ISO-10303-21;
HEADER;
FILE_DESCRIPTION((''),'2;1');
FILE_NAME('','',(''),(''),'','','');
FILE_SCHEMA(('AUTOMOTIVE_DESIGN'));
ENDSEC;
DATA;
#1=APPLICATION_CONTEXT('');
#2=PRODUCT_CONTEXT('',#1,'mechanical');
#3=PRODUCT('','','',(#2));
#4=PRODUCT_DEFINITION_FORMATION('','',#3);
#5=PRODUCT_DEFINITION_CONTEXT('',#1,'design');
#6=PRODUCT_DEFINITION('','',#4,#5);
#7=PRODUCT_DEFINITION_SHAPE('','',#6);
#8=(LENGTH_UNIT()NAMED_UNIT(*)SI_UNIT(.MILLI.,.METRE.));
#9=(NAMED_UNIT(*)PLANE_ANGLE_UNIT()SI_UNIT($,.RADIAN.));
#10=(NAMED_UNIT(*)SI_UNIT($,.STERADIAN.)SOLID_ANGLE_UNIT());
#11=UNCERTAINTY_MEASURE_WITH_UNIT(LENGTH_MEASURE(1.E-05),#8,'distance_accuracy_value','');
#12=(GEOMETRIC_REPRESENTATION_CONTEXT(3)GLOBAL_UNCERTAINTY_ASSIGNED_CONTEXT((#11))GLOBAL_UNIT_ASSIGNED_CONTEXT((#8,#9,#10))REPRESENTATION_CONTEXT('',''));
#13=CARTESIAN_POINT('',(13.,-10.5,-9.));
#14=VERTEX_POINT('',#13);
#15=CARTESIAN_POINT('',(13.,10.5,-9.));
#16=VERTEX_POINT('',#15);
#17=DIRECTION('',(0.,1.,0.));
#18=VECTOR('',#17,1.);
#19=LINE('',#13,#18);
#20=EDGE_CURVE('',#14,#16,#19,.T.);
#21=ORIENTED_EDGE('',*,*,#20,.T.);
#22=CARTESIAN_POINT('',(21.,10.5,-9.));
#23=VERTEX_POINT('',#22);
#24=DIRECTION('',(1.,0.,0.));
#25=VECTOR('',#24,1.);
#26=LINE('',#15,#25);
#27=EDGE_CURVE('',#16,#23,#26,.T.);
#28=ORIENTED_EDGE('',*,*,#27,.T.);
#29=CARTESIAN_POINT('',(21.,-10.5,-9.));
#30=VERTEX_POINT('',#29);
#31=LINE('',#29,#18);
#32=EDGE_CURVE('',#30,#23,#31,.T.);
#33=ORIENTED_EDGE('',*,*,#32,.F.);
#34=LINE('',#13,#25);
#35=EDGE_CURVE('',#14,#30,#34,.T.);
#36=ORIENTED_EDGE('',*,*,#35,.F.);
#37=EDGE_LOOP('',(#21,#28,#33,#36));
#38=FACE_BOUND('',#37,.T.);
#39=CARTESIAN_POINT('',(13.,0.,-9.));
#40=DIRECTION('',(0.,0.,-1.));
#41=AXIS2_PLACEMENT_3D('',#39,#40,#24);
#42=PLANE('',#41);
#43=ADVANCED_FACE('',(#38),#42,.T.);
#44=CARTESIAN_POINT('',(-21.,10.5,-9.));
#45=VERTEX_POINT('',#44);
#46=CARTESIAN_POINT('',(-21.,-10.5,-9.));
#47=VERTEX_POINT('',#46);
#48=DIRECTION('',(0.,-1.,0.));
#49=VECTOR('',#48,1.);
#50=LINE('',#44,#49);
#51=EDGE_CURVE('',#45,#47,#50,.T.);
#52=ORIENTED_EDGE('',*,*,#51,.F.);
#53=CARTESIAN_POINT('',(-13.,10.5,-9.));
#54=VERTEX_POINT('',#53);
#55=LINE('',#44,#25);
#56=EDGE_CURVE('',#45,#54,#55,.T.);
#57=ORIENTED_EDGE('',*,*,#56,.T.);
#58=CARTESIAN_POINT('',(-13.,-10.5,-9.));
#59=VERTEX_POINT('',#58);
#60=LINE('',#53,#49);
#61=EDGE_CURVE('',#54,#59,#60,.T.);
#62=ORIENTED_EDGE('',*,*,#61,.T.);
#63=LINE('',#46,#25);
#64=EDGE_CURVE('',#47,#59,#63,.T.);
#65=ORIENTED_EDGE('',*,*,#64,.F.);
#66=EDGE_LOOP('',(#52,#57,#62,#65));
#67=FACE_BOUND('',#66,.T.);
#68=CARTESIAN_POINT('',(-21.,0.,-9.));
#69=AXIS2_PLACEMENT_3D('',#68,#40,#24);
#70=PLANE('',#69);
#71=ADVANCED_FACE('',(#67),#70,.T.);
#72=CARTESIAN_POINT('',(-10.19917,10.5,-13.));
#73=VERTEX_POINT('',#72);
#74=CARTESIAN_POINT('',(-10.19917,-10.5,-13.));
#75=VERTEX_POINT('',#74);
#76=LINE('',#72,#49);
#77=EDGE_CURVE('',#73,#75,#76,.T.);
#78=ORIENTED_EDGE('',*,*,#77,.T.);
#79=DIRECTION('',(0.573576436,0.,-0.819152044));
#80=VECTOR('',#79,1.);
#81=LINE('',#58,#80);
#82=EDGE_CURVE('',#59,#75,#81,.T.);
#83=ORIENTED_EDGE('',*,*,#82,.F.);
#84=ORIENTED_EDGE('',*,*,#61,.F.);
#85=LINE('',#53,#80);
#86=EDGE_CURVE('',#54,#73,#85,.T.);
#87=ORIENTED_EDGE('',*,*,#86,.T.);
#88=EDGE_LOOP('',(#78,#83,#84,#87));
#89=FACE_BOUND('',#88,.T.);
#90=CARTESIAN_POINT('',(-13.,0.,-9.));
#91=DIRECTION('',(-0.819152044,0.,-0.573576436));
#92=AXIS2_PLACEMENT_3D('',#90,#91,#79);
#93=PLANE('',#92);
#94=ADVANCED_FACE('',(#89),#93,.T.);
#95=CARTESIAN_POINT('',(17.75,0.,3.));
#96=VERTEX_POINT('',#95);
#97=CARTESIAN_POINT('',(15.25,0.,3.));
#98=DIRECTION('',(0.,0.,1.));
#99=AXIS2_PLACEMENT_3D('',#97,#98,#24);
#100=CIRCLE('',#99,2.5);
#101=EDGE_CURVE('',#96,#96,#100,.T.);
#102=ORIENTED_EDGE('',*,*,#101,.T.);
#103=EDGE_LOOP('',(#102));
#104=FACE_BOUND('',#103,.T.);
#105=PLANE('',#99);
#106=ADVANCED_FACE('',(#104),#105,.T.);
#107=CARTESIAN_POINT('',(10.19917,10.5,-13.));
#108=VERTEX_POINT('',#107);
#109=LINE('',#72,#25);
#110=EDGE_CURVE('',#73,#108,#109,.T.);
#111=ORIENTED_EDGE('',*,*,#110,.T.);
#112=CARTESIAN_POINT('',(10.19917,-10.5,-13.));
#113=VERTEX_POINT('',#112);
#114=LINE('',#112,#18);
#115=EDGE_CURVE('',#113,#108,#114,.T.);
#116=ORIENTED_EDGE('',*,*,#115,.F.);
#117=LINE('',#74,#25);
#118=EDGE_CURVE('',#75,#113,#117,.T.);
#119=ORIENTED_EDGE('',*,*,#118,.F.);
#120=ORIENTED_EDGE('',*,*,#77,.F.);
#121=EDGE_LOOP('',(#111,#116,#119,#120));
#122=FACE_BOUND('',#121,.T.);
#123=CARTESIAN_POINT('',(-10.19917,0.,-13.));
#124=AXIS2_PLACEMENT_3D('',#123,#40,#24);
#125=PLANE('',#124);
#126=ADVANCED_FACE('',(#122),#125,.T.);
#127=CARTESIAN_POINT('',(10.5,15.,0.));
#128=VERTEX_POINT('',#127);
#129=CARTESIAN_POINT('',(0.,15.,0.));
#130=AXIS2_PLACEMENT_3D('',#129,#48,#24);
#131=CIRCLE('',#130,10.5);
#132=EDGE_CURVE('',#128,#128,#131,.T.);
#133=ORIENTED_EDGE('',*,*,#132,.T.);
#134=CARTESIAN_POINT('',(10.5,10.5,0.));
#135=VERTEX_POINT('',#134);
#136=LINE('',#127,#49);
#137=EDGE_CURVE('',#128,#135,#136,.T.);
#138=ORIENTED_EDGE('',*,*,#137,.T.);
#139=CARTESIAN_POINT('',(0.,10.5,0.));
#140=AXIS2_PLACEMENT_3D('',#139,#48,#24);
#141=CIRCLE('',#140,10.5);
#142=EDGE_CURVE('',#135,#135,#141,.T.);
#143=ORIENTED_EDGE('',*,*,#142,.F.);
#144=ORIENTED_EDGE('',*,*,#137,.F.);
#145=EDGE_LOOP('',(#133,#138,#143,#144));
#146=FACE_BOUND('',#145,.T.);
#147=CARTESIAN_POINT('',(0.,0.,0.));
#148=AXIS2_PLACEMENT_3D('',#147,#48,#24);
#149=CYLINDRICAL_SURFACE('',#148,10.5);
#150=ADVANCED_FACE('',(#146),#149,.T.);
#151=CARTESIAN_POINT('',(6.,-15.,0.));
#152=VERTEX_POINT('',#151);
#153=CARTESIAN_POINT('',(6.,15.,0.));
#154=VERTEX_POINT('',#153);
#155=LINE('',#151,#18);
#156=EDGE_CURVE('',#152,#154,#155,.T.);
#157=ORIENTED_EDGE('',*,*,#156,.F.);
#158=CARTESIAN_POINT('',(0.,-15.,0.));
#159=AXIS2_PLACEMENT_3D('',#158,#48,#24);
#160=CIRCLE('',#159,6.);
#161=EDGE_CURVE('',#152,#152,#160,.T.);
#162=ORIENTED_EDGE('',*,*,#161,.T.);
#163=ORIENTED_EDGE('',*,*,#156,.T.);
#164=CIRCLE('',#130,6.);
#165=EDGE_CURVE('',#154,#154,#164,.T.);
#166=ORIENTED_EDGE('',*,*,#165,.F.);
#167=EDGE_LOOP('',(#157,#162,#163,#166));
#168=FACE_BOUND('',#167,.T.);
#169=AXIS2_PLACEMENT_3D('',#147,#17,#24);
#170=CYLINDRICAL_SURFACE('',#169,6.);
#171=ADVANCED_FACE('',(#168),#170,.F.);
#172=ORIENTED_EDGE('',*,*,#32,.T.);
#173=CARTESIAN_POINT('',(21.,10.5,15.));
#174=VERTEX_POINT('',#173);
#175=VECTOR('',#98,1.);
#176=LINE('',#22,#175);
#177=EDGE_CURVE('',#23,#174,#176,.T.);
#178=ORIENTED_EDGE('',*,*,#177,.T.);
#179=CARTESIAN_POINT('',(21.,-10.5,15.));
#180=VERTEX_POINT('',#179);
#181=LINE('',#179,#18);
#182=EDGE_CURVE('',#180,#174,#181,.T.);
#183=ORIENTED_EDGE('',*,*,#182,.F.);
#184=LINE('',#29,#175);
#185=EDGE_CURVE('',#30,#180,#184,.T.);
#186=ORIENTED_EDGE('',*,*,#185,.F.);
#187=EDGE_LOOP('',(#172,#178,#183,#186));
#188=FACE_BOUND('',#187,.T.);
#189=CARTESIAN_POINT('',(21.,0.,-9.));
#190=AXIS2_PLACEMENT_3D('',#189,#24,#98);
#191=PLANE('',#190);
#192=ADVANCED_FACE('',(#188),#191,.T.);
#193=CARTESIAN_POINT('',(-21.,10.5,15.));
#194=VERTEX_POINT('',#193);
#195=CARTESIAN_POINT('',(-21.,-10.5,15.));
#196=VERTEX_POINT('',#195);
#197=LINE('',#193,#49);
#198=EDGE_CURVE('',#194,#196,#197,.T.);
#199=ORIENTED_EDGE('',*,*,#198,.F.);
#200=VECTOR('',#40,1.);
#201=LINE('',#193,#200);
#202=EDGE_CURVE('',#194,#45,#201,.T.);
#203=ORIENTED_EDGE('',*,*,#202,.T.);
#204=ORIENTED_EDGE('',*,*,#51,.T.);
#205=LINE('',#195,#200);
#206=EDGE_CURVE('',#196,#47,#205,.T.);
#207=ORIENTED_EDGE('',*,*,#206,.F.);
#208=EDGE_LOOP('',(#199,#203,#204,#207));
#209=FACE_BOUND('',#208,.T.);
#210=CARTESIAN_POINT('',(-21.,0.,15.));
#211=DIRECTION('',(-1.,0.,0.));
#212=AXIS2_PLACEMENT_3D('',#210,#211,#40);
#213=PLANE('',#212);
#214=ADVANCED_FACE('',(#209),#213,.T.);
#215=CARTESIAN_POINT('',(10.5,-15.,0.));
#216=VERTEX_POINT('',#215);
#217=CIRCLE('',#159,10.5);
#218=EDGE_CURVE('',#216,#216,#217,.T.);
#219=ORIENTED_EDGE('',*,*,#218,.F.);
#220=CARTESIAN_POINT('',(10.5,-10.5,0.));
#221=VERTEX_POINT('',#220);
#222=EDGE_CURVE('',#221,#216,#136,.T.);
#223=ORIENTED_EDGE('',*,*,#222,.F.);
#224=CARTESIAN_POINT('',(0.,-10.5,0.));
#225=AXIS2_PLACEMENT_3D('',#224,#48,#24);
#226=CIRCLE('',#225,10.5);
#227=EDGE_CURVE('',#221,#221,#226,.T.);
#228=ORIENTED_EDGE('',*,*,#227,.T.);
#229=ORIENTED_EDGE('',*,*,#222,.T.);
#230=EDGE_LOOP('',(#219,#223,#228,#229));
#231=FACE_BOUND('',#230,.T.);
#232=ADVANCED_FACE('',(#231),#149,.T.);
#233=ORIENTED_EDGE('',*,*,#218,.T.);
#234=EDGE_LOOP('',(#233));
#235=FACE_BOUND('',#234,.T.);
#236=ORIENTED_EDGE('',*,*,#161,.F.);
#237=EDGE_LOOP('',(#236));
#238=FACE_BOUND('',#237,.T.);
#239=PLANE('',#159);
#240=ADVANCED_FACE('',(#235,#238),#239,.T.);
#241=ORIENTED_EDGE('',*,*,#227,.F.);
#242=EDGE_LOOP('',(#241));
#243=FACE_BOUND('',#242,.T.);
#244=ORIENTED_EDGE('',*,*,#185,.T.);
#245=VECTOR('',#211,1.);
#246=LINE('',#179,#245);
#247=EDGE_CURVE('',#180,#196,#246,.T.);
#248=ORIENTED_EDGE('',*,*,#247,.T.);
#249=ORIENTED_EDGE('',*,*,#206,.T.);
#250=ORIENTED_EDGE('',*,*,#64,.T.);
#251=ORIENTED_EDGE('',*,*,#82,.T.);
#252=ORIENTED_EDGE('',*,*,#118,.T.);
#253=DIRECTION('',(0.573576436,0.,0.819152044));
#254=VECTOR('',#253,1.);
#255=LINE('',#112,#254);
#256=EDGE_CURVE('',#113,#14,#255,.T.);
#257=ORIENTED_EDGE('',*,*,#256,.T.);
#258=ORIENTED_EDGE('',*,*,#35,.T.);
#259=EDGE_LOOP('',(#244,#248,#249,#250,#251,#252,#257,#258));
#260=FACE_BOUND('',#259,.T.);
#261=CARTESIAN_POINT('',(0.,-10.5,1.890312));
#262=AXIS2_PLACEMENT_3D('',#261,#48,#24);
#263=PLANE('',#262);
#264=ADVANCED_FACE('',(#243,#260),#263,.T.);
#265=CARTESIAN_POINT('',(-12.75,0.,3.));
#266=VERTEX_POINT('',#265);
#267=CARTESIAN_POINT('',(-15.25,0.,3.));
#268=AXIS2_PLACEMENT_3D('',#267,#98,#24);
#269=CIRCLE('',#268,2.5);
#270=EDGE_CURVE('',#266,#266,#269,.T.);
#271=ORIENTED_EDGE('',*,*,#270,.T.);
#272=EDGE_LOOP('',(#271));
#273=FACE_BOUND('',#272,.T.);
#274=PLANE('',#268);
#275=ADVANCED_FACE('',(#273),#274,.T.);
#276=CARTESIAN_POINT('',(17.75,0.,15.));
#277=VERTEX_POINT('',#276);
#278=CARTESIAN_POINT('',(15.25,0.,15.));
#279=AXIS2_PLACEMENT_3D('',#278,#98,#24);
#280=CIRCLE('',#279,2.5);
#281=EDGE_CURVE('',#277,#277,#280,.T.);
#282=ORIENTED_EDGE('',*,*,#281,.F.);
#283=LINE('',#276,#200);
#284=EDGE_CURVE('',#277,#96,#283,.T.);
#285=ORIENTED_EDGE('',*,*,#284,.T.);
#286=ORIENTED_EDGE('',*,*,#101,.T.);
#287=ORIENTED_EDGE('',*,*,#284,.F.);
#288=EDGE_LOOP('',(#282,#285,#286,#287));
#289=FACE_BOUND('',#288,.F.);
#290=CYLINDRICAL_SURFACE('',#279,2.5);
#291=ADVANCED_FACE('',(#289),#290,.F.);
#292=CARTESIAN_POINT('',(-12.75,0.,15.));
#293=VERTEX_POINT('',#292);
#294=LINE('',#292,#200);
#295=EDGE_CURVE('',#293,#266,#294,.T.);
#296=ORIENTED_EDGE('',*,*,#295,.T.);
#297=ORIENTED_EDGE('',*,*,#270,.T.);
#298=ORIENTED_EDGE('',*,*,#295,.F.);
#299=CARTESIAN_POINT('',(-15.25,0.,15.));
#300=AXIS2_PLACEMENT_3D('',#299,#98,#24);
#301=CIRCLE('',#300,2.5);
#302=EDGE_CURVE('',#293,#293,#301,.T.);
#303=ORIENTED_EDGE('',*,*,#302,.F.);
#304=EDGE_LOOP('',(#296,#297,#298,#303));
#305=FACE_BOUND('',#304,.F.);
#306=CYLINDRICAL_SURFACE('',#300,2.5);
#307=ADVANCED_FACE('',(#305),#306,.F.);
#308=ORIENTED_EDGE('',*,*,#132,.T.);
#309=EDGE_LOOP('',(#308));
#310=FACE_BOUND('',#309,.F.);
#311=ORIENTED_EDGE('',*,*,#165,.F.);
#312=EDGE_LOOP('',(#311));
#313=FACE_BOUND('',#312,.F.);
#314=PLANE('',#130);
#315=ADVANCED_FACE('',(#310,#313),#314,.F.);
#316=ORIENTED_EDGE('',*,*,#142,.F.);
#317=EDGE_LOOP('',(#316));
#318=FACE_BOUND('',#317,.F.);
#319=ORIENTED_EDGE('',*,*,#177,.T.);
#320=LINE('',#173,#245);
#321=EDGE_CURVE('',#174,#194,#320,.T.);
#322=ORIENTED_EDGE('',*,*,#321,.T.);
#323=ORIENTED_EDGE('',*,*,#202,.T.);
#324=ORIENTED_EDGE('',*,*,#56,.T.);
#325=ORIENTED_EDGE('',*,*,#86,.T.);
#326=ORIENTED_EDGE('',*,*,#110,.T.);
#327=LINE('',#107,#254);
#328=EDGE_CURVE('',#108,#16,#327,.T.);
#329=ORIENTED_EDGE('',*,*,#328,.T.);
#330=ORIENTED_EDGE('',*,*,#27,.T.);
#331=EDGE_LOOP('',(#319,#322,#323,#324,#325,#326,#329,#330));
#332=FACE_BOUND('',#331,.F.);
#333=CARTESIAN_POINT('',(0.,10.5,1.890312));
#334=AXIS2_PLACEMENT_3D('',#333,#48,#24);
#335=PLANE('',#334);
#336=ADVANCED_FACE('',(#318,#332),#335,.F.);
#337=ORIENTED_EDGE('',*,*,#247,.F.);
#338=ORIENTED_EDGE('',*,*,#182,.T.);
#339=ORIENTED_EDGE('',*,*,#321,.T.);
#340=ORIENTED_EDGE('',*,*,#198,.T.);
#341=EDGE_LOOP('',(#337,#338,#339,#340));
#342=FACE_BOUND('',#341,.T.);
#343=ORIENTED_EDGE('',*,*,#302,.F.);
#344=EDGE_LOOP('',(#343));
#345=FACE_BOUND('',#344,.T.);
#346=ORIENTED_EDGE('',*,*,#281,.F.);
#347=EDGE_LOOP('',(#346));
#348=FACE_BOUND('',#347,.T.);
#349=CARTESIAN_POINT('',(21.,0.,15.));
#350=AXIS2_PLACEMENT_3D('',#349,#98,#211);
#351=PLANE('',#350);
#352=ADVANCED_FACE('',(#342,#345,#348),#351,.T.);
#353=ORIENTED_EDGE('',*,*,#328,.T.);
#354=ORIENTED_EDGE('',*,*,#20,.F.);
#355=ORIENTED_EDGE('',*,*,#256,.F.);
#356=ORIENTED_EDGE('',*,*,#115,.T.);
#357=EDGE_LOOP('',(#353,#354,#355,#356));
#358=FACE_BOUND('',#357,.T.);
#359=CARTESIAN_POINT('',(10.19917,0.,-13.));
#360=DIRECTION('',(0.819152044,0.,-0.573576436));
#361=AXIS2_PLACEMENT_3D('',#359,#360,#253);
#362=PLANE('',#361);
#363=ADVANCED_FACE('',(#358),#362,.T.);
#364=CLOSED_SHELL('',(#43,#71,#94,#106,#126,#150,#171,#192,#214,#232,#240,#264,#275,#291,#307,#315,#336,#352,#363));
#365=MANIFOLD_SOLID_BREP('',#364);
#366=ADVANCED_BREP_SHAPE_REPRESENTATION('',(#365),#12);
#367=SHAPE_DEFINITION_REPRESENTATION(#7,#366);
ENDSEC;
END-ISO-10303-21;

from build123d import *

# Parameters (mm, degrees)
F0_R     = 10.5
F0_R_2   = 6
F1_DEPTH = 15
F2_DEPTH = 10.5
F3_R     = 2.5
F4_DEPTH = 12


with BuildPart() as f1:
    # F0 (on Front) → F1 (new body, symmetric)
    with BuildSketch(Plane.XZ):
        Circle(F0_R)
        Circle(F0_R_2, mode=Mode.SUBTRACT)
    extrude(amount=F1_DEPTH, both=True)

    # F0 (on Front) → F2 (join, symmetric)
    with BuildSketch(Plane.XZ):
        Polygon((21, 15), (0, 15), (-21, 15), (-21, -9), (-13, -9), (-10.1991698472, -13), (10.1991698472, -13), (13, -9), (21, -9), align=None)
        Circle(F0_R, mode=Mode.SUBTRACT)
    extrude(amount=F2_DEPTH, both=True)

    # F3 (on face) → F4 (cut)
    with BuildSketch(Plane.XY.offset(15)):
        with Locations((-15.25, 0)):
            Circle(F3_R)
        with Locations((15.25, 0)):
            Circle(F3_R)
    extrude(amount=-F4_DEPTH, mode=Mode.SUBTRACT)


solid = f1.part
